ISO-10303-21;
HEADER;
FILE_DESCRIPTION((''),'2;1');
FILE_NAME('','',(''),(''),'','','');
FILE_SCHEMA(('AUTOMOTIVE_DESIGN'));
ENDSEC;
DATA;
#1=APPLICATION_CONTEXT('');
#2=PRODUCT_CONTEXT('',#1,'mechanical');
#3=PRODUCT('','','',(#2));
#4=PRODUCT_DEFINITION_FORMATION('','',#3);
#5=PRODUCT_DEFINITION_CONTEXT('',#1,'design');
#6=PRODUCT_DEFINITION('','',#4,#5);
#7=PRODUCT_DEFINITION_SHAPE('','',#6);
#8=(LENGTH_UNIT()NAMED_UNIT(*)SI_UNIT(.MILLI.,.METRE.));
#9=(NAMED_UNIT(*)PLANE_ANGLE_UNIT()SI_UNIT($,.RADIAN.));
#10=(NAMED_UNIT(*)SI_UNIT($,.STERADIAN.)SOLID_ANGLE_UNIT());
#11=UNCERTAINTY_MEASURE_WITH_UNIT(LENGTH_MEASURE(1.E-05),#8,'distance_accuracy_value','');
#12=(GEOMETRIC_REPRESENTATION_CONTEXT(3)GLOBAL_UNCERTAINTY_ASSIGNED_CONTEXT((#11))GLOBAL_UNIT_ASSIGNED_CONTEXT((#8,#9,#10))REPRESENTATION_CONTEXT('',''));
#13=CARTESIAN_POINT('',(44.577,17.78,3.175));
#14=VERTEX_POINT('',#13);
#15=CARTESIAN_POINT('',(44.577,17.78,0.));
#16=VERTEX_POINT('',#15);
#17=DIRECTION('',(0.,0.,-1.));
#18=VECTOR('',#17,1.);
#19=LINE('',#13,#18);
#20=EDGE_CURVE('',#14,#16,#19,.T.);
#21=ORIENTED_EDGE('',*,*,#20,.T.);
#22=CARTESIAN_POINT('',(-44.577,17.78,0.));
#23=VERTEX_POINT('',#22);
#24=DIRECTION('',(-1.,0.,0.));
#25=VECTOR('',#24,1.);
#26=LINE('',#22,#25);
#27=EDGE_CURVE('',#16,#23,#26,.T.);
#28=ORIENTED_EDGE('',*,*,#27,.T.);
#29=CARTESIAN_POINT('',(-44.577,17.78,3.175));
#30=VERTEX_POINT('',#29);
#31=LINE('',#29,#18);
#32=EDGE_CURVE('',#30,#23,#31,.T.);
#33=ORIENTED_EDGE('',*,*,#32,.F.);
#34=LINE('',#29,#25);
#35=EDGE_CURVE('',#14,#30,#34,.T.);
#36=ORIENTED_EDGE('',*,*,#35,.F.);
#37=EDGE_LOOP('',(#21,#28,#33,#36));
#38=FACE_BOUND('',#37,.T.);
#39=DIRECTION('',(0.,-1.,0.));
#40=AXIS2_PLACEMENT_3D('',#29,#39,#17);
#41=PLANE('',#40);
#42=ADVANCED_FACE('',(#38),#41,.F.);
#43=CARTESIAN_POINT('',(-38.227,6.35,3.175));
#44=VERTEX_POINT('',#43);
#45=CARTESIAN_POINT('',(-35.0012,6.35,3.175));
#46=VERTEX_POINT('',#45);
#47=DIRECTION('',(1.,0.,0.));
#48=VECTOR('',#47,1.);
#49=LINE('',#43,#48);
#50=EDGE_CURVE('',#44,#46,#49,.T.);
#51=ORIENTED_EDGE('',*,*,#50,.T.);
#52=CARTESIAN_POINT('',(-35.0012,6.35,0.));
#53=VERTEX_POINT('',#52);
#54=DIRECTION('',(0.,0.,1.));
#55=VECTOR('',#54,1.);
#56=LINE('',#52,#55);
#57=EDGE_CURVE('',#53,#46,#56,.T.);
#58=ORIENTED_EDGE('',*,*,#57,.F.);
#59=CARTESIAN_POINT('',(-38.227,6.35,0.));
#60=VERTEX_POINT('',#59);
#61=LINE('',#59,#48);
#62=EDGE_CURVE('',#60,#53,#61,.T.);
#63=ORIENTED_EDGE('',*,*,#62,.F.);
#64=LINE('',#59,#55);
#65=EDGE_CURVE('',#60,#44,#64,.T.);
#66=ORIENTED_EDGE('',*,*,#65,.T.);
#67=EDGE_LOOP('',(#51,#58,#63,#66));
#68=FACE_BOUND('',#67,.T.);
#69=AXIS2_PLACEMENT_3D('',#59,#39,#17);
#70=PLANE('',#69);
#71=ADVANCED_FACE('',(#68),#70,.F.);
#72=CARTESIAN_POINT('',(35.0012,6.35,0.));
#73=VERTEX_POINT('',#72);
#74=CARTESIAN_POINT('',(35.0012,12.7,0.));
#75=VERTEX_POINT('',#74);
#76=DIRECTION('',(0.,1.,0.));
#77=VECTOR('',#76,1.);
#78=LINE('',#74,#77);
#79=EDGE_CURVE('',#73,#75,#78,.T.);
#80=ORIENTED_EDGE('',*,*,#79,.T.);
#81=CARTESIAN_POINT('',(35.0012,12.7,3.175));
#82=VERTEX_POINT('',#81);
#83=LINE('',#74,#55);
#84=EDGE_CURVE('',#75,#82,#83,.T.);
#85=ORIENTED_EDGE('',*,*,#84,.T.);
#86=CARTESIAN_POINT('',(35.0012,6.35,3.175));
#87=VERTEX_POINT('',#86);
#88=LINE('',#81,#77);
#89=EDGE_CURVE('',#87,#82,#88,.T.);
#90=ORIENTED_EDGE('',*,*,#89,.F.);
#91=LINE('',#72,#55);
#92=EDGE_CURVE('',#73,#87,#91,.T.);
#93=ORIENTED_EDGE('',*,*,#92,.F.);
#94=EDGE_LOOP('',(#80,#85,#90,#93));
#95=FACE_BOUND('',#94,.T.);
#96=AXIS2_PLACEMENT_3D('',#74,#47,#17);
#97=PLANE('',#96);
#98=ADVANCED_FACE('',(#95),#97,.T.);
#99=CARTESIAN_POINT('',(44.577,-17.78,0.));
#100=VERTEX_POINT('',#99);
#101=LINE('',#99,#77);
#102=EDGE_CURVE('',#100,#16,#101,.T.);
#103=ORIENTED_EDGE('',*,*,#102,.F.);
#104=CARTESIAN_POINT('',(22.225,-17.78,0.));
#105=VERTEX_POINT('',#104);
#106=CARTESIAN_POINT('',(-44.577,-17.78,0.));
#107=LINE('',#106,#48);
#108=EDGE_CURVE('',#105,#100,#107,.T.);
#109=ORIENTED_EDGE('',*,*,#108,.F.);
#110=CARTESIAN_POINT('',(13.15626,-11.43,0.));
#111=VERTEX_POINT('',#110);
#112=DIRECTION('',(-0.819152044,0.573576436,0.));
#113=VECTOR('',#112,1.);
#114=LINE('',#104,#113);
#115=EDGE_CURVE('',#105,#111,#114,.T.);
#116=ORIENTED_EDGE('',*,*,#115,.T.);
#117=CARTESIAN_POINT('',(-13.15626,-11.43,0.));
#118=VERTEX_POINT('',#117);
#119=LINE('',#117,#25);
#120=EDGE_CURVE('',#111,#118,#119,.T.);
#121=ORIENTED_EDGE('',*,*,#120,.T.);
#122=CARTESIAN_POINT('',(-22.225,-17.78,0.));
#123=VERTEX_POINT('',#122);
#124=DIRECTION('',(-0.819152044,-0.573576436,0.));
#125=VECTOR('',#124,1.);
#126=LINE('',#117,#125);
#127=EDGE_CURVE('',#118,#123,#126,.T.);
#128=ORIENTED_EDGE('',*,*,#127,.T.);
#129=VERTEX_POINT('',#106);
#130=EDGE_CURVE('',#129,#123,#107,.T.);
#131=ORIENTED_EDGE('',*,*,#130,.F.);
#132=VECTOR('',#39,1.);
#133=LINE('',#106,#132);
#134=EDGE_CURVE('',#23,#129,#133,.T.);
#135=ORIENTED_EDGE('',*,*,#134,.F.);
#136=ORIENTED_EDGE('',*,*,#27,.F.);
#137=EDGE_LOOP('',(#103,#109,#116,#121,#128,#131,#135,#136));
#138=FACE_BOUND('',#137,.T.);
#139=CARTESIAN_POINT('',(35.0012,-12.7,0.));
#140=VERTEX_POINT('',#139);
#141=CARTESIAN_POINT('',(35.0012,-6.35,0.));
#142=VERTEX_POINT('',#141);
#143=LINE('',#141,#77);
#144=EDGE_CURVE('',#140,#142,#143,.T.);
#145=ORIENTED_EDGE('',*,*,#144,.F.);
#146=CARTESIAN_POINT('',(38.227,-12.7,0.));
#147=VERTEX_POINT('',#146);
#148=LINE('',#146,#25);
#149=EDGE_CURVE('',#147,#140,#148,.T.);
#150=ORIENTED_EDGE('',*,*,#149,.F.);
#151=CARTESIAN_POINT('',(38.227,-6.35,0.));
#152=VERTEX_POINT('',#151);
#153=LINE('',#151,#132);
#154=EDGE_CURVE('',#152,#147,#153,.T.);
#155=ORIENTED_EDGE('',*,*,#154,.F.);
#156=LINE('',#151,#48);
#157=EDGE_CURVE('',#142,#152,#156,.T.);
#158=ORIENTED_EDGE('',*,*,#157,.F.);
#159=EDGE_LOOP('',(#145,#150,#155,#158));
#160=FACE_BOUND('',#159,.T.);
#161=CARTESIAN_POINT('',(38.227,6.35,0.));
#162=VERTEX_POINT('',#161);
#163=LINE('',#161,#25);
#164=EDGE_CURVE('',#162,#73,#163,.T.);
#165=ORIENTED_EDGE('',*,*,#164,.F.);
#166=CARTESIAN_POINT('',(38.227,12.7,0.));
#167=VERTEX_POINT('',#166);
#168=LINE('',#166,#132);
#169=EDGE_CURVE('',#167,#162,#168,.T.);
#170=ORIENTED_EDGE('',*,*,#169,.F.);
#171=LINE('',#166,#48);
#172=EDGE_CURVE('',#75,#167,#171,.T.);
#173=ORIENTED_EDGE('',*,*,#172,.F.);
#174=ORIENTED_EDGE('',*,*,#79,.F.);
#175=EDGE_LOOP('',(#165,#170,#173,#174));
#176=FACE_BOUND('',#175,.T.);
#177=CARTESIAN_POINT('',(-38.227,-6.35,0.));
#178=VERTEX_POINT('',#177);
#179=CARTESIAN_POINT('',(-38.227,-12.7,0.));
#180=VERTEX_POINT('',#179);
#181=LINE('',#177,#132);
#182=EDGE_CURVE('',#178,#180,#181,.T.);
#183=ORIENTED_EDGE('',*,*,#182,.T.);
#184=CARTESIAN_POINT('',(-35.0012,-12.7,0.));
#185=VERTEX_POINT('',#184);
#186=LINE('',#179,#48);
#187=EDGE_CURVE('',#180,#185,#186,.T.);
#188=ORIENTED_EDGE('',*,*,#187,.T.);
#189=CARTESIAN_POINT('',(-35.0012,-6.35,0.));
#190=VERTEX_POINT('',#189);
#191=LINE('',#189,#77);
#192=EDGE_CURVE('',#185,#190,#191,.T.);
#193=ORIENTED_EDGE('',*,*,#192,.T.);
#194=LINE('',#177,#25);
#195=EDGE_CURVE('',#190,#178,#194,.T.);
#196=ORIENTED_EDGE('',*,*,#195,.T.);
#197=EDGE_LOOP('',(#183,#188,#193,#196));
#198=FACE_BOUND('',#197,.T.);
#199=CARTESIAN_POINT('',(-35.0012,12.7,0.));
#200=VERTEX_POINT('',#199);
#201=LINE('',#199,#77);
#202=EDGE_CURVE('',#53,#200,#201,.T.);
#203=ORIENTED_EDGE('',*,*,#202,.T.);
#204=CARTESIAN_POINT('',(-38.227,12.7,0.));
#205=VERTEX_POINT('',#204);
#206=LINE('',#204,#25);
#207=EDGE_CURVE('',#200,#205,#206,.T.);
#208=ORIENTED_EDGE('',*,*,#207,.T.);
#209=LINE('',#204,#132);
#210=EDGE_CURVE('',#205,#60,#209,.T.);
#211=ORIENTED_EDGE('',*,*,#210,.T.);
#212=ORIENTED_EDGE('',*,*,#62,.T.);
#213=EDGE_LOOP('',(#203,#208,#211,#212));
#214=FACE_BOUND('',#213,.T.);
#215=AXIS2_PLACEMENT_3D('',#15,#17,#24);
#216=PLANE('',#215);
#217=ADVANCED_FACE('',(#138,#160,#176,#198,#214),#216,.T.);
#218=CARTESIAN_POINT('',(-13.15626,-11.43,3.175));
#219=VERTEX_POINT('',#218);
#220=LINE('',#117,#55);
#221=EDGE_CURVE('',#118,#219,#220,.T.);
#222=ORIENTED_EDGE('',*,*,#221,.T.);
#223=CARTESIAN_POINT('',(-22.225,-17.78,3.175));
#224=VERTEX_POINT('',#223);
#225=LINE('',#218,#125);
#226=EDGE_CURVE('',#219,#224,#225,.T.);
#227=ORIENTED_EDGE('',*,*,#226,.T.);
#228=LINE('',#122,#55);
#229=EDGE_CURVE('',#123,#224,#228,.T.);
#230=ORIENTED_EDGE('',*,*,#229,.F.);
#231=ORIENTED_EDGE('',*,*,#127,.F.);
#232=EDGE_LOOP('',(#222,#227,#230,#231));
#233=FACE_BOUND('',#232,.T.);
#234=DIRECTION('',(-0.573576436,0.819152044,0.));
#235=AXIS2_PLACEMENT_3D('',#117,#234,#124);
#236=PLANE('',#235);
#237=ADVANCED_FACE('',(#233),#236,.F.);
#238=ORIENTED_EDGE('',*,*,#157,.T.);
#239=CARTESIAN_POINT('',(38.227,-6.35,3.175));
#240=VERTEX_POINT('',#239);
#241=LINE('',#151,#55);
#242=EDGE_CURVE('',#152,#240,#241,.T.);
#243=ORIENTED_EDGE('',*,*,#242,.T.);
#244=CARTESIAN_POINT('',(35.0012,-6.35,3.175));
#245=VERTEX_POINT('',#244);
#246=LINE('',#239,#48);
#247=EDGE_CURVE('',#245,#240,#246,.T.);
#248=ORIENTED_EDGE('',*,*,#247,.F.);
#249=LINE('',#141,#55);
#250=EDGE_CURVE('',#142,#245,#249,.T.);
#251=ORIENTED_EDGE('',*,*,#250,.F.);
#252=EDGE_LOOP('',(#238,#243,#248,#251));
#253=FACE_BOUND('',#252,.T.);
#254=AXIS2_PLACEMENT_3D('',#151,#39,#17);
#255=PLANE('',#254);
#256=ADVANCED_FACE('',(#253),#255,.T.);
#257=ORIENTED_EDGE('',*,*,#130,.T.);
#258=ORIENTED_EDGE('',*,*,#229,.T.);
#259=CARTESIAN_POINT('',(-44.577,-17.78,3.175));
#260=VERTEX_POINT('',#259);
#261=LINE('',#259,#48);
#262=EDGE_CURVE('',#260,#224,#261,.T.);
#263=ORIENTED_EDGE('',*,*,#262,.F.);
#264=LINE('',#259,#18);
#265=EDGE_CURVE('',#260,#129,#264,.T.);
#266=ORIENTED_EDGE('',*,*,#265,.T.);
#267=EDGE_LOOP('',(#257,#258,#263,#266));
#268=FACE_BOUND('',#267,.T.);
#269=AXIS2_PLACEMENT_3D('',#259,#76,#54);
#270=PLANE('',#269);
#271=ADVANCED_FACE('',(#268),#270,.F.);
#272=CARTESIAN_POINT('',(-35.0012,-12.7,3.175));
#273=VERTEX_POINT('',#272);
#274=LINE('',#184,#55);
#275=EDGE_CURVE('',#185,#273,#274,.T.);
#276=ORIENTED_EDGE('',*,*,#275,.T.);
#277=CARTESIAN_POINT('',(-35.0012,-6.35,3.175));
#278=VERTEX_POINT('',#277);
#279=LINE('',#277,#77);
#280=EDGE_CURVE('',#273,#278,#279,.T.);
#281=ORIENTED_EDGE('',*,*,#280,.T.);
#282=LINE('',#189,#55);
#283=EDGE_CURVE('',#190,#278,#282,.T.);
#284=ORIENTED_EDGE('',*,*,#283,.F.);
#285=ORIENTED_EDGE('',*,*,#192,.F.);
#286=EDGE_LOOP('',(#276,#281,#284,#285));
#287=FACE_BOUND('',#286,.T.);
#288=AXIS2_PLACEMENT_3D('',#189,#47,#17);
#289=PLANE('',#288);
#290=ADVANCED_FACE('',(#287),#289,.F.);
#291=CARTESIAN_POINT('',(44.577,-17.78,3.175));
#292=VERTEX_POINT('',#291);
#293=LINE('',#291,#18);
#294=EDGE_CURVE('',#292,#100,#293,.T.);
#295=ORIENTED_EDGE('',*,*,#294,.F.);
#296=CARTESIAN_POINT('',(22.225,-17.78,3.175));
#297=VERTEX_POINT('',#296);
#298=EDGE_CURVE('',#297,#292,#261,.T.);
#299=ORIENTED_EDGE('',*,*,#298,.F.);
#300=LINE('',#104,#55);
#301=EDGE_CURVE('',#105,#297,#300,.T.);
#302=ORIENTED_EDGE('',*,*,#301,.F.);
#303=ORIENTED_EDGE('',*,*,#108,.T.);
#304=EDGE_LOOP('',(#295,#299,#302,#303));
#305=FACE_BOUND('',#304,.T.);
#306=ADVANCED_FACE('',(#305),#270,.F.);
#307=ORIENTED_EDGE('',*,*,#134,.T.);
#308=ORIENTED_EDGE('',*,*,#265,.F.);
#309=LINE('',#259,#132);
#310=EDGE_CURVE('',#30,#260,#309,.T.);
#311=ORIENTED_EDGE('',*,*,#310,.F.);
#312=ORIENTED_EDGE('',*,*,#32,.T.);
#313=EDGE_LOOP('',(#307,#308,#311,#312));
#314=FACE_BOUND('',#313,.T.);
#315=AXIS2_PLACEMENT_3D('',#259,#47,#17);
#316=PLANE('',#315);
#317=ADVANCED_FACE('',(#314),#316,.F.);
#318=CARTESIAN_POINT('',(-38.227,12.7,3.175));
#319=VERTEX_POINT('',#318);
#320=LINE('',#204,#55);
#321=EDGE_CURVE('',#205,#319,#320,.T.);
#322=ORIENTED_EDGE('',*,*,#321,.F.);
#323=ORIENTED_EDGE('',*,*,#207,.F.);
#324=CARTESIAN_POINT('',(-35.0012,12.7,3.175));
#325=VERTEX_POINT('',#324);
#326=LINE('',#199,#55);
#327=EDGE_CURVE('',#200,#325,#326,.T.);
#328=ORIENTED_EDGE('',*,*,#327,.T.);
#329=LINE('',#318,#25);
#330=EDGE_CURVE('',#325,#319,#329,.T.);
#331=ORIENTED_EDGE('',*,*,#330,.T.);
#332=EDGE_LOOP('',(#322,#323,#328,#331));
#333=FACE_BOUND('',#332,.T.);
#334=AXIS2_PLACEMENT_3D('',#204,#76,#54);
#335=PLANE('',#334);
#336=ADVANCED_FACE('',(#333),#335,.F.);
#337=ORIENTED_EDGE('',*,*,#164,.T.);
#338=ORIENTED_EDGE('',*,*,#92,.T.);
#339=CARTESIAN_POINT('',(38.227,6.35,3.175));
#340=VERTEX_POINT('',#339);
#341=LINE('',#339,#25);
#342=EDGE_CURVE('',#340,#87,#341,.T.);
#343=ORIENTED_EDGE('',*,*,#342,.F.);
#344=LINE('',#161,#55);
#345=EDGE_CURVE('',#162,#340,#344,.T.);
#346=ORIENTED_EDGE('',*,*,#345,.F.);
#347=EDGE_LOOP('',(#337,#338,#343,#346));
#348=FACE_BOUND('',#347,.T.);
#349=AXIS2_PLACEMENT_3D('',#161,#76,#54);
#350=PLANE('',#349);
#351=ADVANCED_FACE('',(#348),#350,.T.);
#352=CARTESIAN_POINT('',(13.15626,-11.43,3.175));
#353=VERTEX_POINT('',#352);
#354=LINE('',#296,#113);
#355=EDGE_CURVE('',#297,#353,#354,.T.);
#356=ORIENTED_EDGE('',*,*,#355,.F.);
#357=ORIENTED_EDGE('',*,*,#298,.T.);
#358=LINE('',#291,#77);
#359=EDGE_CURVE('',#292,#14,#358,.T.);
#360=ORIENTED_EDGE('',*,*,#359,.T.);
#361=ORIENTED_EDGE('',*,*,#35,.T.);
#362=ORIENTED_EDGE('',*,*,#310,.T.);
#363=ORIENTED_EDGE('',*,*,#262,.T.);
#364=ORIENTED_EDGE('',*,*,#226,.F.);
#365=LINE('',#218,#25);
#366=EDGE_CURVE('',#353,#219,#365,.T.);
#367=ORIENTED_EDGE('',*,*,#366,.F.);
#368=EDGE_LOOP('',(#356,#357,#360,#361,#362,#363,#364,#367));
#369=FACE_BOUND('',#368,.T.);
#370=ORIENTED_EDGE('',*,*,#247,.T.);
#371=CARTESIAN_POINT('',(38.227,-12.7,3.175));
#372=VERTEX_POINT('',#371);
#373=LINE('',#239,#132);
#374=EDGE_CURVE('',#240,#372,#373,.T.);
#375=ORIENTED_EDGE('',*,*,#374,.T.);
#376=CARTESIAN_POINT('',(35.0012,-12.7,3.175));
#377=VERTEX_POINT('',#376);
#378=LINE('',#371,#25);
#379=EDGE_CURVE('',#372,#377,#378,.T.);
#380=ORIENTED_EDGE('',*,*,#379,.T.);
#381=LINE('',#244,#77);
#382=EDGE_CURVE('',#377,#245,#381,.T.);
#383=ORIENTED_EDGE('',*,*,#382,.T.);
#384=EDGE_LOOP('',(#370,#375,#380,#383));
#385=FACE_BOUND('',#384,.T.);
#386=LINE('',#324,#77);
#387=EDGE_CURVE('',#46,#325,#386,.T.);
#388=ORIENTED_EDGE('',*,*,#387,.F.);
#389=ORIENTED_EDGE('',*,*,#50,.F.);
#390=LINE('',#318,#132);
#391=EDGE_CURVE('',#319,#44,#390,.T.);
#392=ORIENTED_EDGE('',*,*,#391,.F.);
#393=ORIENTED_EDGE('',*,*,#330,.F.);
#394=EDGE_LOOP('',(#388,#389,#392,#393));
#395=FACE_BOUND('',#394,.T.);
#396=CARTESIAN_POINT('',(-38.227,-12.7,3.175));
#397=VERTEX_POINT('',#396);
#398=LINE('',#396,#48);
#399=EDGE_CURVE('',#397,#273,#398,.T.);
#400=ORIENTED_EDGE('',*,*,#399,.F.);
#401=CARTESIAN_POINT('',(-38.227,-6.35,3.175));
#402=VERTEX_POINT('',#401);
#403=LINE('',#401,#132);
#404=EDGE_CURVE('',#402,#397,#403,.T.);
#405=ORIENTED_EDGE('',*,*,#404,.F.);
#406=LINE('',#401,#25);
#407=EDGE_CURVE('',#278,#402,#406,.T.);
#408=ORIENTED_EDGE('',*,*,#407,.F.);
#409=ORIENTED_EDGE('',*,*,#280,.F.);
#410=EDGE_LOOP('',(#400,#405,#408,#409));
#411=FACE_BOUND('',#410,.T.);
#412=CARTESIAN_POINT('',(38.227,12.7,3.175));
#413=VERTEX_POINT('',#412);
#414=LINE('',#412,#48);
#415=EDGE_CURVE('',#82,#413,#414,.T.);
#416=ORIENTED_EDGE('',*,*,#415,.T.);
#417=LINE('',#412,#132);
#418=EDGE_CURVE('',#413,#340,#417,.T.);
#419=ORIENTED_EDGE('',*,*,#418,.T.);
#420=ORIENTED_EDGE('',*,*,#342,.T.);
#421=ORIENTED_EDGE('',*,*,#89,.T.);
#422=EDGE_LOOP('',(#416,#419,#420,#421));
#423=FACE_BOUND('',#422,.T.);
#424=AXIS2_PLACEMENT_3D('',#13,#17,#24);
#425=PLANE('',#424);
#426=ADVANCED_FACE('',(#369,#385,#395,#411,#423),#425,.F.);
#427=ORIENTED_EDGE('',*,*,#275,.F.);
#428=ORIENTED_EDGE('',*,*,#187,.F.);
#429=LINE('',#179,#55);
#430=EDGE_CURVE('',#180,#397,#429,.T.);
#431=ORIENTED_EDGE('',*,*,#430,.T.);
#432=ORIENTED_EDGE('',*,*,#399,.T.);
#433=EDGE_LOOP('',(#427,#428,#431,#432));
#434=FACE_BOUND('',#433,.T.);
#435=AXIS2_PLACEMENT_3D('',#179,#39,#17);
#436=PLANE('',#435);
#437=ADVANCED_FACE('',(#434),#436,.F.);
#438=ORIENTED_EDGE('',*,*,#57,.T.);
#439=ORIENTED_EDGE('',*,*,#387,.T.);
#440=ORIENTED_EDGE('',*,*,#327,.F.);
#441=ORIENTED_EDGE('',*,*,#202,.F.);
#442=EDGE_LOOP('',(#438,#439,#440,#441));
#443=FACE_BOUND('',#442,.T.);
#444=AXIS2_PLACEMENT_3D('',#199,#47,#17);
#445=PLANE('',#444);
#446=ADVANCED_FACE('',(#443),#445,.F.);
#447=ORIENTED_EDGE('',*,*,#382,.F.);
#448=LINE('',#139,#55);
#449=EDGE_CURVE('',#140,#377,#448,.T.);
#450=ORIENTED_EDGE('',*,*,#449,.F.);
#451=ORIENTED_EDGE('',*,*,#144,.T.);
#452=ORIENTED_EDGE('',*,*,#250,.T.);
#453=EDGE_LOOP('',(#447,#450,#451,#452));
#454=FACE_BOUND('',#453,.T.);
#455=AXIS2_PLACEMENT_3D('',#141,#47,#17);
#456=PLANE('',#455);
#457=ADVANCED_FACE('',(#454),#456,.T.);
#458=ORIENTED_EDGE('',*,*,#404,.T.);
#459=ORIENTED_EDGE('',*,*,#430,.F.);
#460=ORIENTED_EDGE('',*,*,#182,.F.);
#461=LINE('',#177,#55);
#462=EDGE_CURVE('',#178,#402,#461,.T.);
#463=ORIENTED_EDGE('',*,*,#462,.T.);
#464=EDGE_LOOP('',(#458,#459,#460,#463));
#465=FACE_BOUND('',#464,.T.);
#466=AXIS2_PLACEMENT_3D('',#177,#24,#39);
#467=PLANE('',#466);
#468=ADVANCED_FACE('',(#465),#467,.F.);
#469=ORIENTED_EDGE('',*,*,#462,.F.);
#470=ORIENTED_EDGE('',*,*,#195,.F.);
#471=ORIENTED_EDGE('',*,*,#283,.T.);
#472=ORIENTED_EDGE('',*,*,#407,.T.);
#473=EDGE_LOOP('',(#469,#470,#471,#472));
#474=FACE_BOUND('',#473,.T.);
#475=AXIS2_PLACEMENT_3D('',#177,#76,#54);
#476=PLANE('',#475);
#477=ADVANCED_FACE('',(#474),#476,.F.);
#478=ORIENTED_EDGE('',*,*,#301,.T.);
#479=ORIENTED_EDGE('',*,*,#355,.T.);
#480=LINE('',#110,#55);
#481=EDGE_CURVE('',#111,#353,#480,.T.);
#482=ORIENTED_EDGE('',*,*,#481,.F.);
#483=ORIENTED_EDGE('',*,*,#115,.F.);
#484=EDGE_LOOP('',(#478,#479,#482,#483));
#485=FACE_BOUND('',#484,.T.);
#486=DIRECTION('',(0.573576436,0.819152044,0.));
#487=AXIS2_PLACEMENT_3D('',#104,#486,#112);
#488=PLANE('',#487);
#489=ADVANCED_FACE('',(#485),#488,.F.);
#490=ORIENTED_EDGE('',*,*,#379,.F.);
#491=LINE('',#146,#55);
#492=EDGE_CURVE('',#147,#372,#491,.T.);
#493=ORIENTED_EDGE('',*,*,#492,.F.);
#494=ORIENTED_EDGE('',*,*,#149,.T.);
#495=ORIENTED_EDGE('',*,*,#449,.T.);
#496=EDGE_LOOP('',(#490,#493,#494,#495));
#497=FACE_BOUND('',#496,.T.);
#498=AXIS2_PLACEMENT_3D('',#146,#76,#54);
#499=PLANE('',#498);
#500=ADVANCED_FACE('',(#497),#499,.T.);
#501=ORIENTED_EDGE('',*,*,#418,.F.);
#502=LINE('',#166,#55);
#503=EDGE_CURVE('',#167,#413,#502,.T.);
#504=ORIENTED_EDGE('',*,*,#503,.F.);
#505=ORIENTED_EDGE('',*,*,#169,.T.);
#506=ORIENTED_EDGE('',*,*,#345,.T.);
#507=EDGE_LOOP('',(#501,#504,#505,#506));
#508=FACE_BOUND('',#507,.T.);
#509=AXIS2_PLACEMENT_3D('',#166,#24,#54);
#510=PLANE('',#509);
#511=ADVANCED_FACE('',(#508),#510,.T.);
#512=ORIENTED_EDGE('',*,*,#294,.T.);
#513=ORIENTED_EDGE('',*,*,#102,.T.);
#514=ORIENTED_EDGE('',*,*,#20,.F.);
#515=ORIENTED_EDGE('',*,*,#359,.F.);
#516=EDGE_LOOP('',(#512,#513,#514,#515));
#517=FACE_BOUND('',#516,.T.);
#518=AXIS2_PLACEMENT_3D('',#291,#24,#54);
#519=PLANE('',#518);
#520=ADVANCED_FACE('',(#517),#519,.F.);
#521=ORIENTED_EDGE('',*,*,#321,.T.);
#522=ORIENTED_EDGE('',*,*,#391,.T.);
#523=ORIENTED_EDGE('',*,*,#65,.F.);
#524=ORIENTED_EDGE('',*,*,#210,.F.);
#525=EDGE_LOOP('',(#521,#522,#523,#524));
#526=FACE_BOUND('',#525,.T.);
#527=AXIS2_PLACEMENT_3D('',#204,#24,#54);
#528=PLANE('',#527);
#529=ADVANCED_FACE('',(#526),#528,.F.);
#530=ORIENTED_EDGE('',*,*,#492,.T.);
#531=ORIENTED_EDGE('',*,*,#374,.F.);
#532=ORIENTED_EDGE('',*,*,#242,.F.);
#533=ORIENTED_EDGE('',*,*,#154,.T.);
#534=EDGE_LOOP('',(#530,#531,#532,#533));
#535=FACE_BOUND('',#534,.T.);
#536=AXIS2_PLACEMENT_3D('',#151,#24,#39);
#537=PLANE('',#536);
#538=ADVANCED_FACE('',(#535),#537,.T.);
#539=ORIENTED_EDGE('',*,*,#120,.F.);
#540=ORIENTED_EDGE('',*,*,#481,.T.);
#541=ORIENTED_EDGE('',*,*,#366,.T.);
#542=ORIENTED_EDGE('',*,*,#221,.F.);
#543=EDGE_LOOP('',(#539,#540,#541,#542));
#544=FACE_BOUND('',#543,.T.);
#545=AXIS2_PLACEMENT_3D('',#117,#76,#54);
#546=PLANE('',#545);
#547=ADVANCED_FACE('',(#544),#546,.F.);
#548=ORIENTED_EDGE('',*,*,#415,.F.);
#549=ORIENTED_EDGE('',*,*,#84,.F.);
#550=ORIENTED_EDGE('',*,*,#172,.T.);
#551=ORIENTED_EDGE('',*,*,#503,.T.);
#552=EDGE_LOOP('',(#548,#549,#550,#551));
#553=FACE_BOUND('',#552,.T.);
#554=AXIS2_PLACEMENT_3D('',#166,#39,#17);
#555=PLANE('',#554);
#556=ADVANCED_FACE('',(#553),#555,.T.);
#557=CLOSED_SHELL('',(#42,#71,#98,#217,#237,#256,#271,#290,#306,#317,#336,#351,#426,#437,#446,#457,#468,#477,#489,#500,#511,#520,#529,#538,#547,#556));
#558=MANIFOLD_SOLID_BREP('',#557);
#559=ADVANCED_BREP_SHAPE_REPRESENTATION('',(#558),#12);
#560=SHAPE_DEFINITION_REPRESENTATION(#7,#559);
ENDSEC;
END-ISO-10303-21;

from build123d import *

# Parameters (mm, degrees)
SKETCH1_W           = 89.154
SKETCH1_H           = 35.56
BOSS_EXTRUDE1_DEPTH = 3.175
SKETCH2_W           = 3.2258
SKETCH2_H           = 6.35
CUT_EXTRUDE1_DEPTH  = 4.175
CUT_EXTRUDE2_DEPTH  = 4.175


with BuildPart() as part:
    # Sketch1 → Boss-Extrude1 (new body)
    with BuildSketch(Plane.XY):
        Rectangle(SKETCH1_W, SKETCH1_H)
    extrude(amount=BOSS_EXTRUDE1_DEPTH)

    # Sketch2 → Cut-Extrude1 (cut, through all)
    with BuildSketch(Plane.XY.offset(3.175)):
        with Locations((-36.6141, 9.525)):
            Rectangle(SKETCH2_W, SKETCH2_H)
        with Locations((-36.6141, -9.525)):
            Rectangle(SKETCH2_W, SKETCH2_H)
    cut_extrude1 = extrude(amount=-CUT_EXTRUDE1_DEPTH, mode=Mode.SUBTRACT)

    # Mirror1: Cut-Extrude1 across plane
    add(cut_extrude1.mirror(Plane(origin=(0, 0, 0), x_dir=(0, 0, 1), z_dir=(1, 0, 0))), mode=Mode.SUBTRACT)

    # Sketch3 → Cut-Extrude2 (cut, through all)
    with BuildSketch(Plane.XY.offset(3.175)):
        Polygon((-13.156260157, -11.43), (13.156260157, -11.43), (22.225, -17.78), (-22.225, -17.78), align=None)
    extrude(amount=-CUT_EXTRUDE2_DEPTH, mode=Mode.SUBTRACT)


solid = part.part
